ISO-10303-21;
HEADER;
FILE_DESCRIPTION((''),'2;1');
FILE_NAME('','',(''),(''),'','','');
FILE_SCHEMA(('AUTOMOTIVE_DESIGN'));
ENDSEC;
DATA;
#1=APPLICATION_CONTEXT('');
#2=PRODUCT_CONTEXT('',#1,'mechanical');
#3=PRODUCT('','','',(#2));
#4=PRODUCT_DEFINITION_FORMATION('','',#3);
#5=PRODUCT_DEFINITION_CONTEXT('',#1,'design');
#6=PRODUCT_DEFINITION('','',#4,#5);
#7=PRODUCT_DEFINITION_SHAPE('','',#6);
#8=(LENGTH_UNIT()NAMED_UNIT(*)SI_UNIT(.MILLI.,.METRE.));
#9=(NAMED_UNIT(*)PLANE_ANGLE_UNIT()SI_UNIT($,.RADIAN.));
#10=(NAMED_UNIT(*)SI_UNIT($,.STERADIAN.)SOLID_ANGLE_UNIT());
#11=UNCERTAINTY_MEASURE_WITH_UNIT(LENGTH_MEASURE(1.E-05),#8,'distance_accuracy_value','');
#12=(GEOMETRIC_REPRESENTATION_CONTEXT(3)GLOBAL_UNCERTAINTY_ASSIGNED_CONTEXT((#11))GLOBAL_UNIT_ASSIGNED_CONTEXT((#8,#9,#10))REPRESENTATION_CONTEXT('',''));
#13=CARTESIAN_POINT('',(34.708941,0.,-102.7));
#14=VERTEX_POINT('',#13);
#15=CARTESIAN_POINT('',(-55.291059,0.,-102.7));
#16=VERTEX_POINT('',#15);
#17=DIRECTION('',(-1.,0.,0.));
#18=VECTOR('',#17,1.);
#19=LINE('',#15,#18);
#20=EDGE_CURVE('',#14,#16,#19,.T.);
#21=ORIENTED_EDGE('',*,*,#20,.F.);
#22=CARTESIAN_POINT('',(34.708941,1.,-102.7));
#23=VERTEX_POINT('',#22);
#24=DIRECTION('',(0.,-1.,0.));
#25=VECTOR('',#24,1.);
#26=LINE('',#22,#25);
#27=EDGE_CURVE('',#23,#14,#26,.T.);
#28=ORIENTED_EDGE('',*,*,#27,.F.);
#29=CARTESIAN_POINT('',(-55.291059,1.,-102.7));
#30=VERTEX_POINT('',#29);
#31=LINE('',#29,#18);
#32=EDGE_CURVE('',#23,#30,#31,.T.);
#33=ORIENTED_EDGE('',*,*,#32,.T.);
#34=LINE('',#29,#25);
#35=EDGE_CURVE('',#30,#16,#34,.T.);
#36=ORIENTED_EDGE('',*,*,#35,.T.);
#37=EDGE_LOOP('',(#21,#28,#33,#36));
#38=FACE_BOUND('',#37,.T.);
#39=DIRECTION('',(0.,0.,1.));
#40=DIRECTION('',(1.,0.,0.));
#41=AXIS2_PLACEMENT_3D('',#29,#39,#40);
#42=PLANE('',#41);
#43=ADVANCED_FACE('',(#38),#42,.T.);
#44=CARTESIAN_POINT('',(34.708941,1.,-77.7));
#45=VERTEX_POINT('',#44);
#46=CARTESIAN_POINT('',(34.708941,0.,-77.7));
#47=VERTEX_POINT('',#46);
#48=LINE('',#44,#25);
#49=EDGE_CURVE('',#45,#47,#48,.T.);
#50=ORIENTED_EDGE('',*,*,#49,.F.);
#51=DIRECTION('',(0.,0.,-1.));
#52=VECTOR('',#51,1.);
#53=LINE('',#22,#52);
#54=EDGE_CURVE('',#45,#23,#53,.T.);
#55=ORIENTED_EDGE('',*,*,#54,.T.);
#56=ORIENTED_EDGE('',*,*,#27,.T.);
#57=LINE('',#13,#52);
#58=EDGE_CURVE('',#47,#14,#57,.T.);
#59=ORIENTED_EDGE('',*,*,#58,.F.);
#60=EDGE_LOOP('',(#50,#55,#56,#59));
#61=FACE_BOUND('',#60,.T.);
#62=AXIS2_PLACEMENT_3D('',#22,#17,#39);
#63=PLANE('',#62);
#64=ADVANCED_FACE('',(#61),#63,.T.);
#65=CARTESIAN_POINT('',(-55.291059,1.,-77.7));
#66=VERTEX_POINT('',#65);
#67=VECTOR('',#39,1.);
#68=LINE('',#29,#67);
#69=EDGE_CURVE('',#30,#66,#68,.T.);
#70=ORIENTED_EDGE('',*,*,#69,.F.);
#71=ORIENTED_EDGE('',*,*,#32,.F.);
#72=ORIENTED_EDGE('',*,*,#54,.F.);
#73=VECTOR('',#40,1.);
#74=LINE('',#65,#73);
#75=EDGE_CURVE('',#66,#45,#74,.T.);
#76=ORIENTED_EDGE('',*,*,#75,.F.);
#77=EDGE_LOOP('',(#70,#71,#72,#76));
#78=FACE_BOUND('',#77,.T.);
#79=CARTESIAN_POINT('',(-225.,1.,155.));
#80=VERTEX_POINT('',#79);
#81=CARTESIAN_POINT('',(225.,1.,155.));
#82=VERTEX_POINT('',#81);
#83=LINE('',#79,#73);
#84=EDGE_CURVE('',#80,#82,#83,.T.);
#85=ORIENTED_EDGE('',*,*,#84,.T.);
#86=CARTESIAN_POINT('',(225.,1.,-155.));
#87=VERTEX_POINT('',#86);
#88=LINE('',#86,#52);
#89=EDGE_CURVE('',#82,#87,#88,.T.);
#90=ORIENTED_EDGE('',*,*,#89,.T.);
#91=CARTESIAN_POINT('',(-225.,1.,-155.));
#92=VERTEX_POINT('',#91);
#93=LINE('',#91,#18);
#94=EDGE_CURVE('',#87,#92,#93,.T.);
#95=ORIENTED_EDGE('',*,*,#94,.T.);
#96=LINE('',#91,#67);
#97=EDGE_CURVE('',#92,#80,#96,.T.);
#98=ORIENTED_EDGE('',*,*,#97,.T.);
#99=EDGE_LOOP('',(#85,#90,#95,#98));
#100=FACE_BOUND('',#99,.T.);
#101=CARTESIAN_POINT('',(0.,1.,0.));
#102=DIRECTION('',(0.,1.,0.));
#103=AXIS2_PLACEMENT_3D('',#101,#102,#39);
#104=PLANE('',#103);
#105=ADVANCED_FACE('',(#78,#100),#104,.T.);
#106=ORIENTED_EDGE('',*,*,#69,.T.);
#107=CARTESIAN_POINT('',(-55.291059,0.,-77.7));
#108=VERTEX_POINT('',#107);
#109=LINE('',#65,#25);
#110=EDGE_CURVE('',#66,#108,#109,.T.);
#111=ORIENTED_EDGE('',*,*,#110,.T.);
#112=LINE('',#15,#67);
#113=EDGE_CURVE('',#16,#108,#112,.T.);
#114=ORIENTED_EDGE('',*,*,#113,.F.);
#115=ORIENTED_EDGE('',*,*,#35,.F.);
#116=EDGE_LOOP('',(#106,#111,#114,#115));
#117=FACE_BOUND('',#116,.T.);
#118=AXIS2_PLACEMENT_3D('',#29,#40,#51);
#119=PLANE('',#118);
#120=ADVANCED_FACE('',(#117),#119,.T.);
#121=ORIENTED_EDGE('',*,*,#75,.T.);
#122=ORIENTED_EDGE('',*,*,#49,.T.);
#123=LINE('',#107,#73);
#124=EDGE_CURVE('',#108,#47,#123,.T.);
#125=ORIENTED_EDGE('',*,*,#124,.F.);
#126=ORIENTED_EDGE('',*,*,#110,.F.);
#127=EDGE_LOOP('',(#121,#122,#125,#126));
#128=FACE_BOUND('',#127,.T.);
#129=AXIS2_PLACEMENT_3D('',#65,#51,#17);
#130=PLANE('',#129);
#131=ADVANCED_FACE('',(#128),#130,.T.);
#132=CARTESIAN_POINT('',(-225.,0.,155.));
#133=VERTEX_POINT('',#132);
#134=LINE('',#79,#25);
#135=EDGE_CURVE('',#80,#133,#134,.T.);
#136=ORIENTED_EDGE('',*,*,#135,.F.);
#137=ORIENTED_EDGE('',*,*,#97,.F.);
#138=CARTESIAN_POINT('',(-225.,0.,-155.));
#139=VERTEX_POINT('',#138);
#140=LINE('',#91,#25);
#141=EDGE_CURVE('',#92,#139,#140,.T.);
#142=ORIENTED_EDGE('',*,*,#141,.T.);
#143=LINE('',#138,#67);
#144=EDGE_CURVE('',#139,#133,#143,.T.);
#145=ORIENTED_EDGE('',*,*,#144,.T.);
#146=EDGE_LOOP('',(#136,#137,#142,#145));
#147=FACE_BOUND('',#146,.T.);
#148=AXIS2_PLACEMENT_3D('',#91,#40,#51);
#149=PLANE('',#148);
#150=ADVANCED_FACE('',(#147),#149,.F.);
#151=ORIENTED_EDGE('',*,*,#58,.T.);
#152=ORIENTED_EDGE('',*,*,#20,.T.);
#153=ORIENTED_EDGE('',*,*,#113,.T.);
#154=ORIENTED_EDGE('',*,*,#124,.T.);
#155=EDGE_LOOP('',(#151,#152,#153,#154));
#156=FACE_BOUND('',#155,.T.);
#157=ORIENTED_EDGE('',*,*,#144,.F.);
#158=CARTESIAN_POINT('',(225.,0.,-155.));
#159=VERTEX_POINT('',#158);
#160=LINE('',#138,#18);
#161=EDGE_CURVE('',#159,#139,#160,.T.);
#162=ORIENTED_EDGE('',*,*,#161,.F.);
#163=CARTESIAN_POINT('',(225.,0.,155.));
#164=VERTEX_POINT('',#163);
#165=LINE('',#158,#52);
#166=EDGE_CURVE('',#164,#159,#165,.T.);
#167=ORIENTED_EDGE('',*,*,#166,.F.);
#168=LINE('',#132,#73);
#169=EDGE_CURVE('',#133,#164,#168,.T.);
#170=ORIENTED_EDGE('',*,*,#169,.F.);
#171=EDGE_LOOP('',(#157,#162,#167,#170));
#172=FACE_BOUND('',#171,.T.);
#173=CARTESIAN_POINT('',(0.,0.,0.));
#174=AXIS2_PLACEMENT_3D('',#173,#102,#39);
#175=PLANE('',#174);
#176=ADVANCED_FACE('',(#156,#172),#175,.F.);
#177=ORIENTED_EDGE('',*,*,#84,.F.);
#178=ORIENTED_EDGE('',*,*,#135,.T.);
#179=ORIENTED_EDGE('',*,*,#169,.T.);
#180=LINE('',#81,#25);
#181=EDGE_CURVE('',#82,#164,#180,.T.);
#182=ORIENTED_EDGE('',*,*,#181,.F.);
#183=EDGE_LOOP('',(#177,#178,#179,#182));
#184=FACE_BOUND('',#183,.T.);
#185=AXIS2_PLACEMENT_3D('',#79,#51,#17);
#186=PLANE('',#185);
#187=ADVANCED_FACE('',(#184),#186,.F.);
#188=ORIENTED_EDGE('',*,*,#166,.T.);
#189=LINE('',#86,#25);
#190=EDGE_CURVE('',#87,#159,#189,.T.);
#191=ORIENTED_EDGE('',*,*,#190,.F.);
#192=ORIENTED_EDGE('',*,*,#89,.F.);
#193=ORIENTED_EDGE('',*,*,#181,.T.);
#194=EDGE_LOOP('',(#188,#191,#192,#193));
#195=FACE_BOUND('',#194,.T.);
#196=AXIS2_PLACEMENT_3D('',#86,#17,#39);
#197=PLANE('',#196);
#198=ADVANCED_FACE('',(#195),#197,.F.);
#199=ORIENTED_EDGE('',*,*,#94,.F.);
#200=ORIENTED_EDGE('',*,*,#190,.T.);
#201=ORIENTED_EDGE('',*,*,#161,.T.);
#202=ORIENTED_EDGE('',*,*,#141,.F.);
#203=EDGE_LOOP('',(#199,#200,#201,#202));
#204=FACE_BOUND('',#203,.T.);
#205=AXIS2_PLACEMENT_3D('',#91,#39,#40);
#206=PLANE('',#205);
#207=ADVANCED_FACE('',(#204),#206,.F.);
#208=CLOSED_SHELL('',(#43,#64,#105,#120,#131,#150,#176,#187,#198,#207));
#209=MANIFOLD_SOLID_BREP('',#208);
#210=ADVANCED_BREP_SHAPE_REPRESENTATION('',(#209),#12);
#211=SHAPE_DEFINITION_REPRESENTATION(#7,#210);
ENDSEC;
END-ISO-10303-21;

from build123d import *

# Parameters (mm, degrees)
SKETCH2_W           = 450
SKETCH2_H           = 310
SKETCH2_W_2         = 90
SKETCH2_H_2         = 25
BOSS_EXTRUDE1_DEPTH = 1


with BuildPart() as part:
    # Sketch2 → Boss-Extrude1 (new body)
    with BuildSketch(Plane(origin=(0, 0, 0), x_dir=(1, 0, 0), z_dir=(0, 1, 0))):
        Rectangle(SKETCH2_W, SKETCH2_H)
        with Locations((-10.291059401, 90.2)):
            Rectangle(SKETCH2_W_2, SKETCH2_H_2, mode=Mode.SUBTRACT)
    extrude(amount=BOSS_EXTRUDE1_DEPTH)


solid = part.part
